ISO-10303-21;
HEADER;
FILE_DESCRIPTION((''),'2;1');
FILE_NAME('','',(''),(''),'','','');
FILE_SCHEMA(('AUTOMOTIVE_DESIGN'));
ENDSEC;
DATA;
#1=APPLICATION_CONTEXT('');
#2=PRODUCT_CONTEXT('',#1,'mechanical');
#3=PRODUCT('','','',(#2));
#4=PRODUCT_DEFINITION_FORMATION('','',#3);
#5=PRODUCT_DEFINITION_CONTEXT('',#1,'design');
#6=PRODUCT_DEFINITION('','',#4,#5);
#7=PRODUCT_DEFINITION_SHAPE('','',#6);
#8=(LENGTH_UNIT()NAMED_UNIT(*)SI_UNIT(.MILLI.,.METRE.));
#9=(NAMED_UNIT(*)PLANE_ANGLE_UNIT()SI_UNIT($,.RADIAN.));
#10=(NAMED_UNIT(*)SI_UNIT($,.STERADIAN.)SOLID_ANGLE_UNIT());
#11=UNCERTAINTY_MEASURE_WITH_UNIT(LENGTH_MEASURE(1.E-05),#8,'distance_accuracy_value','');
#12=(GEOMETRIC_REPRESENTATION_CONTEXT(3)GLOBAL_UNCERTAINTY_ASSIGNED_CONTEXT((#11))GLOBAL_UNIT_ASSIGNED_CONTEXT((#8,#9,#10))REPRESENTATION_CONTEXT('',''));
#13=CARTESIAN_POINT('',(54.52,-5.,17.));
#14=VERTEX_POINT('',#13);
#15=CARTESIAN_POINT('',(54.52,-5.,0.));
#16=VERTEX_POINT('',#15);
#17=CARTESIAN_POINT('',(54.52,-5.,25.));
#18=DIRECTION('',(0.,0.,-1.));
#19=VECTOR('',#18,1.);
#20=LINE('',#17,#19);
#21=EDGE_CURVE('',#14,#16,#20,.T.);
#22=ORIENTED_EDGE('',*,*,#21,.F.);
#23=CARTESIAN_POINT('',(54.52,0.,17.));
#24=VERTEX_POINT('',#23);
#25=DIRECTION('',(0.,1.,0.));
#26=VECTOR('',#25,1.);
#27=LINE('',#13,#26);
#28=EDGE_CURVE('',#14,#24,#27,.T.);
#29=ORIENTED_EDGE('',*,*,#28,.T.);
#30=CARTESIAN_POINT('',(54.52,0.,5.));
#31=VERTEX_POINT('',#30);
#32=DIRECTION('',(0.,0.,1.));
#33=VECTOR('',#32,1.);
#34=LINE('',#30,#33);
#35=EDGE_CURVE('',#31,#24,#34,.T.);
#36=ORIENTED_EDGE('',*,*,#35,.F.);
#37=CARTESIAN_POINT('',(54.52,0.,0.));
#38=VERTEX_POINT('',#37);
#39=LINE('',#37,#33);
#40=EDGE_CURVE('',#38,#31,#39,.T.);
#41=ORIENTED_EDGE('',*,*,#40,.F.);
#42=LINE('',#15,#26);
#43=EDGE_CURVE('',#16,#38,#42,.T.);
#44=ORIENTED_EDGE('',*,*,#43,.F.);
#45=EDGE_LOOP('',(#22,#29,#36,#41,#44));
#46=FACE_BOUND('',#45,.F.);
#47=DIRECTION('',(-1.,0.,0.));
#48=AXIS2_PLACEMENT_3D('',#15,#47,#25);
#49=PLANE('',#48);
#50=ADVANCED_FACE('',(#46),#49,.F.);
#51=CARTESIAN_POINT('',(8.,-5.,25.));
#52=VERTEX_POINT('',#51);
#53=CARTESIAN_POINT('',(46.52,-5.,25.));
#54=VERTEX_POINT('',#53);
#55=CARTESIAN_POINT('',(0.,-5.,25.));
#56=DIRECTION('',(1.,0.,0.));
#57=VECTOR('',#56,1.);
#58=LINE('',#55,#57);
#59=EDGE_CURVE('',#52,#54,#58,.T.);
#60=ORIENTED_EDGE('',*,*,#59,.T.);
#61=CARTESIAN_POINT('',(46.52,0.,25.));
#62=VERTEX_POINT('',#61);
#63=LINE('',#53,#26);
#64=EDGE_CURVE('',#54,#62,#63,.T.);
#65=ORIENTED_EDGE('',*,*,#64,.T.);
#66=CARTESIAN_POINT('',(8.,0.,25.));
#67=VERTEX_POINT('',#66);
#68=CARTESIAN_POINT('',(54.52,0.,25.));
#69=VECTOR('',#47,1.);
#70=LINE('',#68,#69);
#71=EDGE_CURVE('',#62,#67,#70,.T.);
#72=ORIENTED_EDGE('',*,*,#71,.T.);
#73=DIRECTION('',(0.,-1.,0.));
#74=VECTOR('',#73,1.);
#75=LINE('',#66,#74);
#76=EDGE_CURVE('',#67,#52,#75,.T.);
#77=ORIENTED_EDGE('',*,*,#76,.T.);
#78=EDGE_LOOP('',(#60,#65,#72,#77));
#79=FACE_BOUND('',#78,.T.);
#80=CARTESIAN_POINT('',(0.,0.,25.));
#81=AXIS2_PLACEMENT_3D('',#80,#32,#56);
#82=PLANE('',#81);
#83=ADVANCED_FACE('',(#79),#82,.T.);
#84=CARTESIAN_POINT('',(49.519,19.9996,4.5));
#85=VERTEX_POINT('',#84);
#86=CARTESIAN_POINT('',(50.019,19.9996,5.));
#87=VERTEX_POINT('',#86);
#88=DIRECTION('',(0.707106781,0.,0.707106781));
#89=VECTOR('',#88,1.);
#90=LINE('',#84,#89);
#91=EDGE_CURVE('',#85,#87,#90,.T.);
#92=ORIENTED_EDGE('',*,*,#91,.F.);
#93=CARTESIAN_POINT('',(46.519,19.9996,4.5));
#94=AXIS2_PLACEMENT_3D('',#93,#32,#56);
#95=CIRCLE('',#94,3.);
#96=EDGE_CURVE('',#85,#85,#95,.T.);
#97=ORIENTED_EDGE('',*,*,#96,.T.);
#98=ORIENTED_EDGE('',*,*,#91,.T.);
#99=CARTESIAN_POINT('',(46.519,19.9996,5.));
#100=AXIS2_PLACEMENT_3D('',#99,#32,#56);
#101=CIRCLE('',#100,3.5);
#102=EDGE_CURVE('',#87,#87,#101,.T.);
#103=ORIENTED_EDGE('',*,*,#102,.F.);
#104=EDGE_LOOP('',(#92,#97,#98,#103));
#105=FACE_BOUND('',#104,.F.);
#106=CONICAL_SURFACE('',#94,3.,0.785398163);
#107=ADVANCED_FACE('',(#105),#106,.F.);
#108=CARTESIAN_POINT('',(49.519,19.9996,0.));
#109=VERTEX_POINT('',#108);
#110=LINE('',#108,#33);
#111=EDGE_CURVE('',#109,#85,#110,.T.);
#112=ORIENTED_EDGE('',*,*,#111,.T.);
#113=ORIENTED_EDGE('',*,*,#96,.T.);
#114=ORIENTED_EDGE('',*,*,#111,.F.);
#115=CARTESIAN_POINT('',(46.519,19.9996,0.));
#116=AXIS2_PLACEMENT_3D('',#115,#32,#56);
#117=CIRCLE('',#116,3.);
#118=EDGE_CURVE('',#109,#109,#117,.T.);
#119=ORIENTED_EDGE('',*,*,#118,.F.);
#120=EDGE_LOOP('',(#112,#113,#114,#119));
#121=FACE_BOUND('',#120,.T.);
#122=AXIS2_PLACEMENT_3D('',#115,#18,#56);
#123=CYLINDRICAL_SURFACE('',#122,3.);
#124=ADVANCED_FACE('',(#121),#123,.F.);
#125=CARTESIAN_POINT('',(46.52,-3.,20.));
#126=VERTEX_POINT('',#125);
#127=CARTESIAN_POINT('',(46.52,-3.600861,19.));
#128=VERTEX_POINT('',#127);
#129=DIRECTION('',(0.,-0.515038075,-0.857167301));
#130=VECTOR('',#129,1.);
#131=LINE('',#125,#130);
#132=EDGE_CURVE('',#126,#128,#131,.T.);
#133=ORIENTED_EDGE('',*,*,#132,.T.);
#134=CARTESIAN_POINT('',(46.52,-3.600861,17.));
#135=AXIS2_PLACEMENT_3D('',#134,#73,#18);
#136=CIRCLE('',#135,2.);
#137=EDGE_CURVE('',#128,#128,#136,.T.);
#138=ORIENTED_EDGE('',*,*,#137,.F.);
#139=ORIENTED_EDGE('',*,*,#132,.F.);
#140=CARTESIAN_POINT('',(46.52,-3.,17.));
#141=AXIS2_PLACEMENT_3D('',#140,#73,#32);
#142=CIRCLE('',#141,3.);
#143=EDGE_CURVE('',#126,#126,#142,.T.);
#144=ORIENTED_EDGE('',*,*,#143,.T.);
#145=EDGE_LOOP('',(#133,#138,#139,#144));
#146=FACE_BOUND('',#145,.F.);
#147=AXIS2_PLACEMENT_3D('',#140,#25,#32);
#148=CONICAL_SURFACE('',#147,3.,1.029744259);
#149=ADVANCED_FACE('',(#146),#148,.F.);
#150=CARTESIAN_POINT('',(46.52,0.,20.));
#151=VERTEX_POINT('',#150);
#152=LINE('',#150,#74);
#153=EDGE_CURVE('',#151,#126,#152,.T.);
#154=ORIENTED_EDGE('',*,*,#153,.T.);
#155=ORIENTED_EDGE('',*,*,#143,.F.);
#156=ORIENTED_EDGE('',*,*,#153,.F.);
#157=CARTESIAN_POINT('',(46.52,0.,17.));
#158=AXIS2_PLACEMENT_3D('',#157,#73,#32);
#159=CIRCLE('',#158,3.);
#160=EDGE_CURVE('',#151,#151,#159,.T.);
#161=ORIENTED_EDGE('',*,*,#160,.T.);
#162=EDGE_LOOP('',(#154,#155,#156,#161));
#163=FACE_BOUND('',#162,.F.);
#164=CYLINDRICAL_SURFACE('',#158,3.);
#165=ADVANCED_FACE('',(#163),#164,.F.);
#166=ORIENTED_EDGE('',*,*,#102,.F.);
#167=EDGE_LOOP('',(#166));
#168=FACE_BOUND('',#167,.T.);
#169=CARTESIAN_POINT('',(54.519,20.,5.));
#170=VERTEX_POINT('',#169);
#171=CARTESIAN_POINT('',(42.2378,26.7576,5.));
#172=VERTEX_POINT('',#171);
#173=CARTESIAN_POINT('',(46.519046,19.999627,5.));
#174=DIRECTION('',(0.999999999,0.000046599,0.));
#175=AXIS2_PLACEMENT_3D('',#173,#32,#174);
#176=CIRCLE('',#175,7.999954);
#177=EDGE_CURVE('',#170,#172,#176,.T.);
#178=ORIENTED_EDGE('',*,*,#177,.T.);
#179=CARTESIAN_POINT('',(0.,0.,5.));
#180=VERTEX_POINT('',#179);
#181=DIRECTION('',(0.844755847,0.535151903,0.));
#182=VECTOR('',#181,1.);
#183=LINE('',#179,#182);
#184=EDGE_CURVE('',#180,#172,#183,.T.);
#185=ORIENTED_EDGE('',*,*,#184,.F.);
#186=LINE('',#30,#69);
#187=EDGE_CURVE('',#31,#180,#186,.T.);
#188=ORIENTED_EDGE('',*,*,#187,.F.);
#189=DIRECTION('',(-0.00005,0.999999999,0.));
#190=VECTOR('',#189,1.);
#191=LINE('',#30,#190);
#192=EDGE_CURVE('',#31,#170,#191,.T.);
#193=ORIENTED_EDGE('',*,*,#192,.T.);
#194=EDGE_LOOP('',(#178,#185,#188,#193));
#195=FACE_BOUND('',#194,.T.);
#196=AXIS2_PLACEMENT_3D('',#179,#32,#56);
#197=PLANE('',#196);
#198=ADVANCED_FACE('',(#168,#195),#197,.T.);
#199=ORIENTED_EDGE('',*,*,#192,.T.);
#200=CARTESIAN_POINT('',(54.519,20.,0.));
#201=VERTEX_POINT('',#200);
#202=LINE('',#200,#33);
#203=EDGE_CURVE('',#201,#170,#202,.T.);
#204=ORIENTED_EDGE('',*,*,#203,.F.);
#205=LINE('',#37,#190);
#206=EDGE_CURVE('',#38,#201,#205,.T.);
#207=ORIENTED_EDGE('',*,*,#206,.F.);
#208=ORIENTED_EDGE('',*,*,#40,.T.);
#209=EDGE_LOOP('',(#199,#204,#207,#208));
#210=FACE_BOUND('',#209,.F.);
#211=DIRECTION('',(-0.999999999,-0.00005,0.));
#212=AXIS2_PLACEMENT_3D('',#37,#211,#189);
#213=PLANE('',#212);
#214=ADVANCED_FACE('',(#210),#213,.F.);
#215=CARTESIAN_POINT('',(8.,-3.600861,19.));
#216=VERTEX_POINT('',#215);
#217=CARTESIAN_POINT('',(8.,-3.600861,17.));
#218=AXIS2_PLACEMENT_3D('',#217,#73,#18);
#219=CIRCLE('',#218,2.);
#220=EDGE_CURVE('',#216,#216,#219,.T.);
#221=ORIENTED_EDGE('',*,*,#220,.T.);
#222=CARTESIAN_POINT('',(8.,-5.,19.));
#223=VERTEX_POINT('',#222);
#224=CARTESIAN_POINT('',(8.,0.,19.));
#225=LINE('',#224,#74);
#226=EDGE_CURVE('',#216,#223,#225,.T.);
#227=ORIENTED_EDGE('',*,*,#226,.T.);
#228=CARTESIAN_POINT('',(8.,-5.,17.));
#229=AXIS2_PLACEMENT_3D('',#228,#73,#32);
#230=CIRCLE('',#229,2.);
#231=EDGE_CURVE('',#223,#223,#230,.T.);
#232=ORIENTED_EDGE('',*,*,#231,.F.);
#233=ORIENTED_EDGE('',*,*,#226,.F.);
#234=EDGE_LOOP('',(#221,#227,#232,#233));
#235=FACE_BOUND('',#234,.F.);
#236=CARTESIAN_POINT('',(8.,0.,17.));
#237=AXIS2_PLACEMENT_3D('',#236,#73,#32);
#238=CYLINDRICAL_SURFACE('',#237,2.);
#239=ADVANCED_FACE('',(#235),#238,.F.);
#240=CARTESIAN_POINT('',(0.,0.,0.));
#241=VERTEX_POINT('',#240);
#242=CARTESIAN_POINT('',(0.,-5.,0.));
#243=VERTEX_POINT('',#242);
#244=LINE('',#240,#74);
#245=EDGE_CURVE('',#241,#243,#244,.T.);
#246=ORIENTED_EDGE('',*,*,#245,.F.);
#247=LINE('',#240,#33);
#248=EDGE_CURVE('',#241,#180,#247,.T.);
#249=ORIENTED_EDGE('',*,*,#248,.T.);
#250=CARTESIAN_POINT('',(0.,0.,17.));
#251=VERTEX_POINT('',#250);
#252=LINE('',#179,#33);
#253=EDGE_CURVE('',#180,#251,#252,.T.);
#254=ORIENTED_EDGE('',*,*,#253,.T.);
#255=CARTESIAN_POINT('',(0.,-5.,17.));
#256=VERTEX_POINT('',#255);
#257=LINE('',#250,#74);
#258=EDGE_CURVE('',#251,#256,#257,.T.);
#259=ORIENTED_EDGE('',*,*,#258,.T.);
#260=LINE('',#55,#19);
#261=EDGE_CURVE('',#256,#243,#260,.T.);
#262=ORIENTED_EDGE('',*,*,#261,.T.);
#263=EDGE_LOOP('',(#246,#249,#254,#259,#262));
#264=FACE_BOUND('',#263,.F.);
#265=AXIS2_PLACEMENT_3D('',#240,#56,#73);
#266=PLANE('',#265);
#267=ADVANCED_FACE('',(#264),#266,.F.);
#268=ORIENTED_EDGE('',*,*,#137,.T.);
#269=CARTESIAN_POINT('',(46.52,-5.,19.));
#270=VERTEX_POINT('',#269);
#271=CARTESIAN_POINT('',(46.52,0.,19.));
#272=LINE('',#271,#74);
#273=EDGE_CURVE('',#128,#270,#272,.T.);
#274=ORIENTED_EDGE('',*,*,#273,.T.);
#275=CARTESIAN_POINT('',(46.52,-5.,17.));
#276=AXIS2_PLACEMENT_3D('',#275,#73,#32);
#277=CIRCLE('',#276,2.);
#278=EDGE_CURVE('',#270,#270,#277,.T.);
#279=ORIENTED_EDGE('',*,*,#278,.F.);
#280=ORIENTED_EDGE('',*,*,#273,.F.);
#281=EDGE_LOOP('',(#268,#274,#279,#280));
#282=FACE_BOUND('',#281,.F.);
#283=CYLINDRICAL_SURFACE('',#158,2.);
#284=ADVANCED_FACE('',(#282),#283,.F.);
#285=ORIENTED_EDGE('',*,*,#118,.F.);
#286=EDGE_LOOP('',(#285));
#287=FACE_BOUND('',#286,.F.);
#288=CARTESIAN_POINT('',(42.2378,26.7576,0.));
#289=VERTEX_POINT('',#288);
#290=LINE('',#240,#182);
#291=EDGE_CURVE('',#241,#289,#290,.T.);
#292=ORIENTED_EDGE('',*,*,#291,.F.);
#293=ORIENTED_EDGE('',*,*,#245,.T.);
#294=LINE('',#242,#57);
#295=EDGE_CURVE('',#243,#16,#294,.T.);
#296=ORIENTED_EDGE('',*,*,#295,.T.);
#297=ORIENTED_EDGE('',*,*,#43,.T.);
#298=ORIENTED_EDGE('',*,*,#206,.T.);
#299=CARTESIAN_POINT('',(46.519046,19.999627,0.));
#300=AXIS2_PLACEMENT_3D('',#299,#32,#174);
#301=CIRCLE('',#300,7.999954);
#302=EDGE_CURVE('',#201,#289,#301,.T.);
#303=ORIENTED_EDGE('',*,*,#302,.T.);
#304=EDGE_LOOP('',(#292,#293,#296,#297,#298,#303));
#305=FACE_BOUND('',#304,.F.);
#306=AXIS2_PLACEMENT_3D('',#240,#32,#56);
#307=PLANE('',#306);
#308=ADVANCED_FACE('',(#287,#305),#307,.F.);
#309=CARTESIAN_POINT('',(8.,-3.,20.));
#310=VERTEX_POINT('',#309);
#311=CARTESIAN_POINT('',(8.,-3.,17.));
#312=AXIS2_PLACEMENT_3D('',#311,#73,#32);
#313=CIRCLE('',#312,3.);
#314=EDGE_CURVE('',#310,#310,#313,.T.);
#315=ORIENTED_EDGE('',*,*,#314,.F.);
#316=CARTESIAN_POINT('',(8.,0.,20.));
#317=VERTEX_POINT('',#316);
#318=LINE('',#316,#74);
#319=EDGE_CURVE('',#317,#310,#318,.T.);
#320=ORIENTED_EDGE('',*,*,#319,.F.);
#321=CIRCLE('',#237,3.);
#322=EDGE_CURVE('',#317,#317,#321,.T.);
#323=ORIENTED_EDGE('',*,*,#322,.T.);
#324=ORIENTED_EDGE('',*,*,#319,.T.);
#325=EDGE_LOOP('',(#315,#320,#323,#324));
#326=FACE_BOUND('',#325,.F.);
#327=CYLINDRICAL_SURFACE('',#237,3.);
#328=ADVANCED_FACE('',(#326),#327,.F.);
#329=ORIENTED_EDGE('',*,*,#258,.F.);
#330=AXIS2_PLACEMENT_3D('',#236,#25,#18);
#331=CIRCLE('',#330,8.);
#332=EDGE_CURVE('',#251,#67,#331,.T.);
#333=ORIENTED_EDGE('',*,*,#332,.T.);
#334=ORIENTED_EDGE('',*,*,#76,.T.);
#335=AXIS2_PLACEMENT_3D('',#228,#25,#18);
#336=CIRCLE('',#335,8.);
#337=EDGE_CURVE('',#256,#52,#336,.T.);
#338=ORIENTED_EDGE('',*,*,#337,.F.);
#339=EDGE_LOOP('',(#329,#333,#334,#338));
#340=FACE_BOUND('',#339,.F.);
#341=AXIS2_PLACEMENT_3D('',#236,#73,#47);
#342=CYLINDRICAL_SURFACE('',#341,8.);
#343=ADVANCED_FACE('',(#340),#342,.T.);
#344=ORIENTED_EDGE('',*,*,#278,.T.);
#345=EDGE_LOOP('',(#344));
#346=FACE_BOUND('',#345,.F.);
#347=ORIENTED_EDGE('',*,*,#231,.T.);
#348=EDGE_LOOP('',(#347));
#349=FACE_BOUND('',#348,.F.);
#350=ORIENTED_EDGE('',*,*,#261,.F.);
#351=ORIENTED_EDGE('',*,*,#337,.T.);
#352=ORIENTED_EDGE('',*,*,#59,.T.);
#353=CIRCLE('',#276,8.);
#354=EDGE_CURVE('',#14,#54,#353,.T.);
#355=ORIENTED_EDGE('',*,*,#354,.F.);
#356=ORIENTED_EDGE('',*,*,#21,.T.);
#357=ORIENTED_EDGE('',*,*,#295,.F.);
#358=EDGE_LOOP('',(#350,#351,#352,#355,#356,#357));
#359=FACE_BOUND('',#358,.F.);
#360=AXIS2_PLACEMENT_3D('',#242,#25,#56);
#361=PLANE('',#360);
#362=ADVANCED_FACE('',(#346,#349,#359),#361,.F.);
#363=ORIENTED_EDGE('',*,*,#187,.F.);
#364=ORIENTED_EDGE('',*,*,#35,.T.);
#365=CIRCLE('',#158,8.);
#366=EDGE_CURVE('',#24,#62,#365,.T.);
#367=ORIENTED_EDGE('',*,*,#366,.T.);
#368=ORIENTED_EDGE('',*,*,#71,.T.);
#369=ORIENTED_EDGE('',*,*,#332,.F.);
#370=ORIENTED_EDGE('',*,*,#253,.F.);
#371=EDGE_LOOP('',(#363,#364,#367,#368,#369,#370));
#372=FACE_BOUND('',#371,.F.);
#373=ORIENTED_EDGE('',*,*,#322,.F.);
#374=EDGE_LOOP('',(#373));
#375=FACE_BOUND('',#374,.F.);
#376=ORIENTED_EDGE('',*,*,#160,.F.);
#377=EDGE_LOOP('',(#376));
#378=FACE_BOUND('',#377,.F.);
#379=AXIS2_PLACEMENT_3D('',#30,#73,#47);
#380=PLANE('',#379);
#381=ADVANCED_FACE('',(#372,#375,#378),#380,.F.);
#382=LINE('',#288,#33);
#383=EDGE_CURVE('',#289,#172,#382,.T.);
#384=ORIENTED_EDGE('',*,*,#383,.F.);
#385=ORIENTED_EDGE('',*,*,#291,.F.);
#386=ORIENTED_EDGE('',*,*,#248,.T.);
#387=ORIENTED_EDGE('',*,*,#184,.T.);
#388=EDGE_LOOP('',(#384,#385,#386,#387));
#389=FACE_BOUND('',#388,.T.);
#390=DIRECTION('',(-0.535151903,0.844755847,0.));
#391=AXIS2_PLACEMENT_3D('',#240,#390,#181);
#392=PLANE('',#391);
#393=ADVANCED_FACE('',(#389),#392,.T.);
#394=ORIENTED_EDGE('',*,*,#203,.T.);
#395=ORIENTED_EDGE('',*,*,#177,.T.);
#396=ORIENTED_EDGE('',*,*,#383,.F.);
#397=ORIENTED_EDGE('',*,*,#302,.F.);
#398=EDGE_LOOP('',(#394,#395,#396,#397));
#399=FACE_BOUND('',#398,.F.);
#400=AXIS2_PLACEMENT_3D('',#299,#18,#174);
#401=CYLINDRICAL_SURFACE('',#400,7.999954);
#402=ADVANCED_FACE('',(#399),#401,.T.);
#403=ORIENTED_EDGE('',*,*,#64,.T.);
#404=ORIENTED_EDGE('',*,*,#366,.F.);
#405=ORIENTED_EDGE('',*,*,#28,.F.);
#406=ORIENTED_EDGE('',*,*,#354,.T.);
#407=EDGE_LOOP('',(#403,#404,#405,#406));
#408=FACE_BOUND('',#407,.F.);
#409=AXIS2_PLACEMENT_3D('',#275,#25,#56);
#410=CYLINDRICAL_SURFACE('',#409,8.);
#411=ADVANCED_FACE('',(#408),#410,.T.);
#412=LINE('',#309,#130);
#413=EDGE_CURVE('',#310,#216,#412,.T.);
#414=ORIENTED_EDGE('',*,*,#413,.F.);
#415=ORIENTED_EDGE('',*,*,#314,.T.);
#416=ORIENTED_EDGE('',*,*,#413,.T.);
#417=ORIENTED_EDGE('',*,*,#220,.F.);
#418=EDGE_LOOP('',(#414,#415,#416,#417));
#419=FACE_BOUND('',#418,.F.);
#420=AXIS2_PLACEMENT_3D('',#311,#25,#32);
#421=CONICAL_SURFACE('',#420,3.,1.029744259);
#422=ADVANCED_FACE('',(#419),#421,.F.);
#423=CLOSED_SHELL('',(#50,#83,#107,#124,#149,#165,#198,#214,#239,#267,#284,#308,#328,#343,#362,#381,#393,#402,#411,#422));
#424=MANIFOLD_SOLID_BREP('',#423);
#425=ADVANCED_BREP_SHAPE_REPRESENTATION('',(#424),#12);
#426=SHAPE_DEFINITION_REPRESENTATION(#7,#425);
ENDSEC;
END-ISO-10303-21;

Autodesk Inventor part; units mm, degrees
ref_plane "YZ Plane" through (0, 0, 0) normal (1, 0, 0) x (0, 1, 0)
ref_plane "XZ Plane" through (0, 0, 0) normal (0, 1, 0) x (-1, 0, 0)
ref_plane "XY Plane" through (0, 0, 0) normal (0, 0, 1) x (1, 0, 0)
sketch "Boceto1" plane through (0, 0, 0) normal (0, 0, 1) x (1, 0, 0)
  circle A0 centre (46.519, 19.9996) radius 3
  arc A1 (54.519, 20) -> (42.2378, 26.7576) centre (46.519, 19.9996) ccw
  line L0 (54.52, 0) -> (54.519, 20)
  line L1 (0, 0) -> (42.2378, 26.7576)
  line L2 (0, 0) -> (0, -5)
  line L3 (0, -5) -> (54.52, -5)
  line L4 (54.52, -5) -> (54.52, 0)
  dimension "d5" = 50
  dimension "d6" = 20
  dimension "d8" = 5
  dimension "d9" = 54.52
extrude "Extrusión1" add sketch "Boceto1" along normal blind 5
sketch "Boceto2" plane through (0, 0, 5) normal (0, 0, 1) x (1, 0, 0)
  line L0 (0, 0) -> (0, -5) projected
  line L1 (0, 0) -> (0, -5)
  line L2 (0, -5) -> (54.52, -5) projected
  line L3 (0, -5) -> (54.52, -5)
  line L4 (54.52, -5) -> (54.52, 0) projected
  line L5 (54.52, -5) -> (54.52, 0)
  line L6 (54.52, 0) -> (0, 0)
extrude "Extrusión2" add sketch "Boceto2" along normal blind 20
fillet "Empalme1" radius 8 2 edges at (54.52, -2.5, 25) (0, -2.5, 25)
sketch "Boceto3" plane through (0, 0, 5) normal (0, 1, 0) x (1, 0, 0)
  circle A0 centre (8, -12) radius 3
  circle A1 centre (46.52, -12) radius 3
  point P0 (0, 5)
  dimension "d15" = 6
  dimension "d16" = 6
hole "Agujero1" at (8, 0, 17) at (46.52, 0, 17) direction (0, -1, 0) diameter 6 depth 3 tip angle 118
sketch "Boceto4" plane through (0, 0, 5) normal (0, 1, 0) x (1, 0, 0)
  circle A0 centre (8, -12) radius 3 projected
  circle A1 centre (46.52, -12) radius 3 projected
  point P0 (0, 5)
hole "Agujero2" at (46.52, 0, 17) at (8, 0, 17) direction (0, -1, 0) diameter 4 depth 5 tip angle 118
chamfer "Chaflán1" distance 0.5 angle 45 1 edges at (43.519, 19.9996, 5) measured on face at (33.1116, 5.8435, 5)
properties material "Cobre"
